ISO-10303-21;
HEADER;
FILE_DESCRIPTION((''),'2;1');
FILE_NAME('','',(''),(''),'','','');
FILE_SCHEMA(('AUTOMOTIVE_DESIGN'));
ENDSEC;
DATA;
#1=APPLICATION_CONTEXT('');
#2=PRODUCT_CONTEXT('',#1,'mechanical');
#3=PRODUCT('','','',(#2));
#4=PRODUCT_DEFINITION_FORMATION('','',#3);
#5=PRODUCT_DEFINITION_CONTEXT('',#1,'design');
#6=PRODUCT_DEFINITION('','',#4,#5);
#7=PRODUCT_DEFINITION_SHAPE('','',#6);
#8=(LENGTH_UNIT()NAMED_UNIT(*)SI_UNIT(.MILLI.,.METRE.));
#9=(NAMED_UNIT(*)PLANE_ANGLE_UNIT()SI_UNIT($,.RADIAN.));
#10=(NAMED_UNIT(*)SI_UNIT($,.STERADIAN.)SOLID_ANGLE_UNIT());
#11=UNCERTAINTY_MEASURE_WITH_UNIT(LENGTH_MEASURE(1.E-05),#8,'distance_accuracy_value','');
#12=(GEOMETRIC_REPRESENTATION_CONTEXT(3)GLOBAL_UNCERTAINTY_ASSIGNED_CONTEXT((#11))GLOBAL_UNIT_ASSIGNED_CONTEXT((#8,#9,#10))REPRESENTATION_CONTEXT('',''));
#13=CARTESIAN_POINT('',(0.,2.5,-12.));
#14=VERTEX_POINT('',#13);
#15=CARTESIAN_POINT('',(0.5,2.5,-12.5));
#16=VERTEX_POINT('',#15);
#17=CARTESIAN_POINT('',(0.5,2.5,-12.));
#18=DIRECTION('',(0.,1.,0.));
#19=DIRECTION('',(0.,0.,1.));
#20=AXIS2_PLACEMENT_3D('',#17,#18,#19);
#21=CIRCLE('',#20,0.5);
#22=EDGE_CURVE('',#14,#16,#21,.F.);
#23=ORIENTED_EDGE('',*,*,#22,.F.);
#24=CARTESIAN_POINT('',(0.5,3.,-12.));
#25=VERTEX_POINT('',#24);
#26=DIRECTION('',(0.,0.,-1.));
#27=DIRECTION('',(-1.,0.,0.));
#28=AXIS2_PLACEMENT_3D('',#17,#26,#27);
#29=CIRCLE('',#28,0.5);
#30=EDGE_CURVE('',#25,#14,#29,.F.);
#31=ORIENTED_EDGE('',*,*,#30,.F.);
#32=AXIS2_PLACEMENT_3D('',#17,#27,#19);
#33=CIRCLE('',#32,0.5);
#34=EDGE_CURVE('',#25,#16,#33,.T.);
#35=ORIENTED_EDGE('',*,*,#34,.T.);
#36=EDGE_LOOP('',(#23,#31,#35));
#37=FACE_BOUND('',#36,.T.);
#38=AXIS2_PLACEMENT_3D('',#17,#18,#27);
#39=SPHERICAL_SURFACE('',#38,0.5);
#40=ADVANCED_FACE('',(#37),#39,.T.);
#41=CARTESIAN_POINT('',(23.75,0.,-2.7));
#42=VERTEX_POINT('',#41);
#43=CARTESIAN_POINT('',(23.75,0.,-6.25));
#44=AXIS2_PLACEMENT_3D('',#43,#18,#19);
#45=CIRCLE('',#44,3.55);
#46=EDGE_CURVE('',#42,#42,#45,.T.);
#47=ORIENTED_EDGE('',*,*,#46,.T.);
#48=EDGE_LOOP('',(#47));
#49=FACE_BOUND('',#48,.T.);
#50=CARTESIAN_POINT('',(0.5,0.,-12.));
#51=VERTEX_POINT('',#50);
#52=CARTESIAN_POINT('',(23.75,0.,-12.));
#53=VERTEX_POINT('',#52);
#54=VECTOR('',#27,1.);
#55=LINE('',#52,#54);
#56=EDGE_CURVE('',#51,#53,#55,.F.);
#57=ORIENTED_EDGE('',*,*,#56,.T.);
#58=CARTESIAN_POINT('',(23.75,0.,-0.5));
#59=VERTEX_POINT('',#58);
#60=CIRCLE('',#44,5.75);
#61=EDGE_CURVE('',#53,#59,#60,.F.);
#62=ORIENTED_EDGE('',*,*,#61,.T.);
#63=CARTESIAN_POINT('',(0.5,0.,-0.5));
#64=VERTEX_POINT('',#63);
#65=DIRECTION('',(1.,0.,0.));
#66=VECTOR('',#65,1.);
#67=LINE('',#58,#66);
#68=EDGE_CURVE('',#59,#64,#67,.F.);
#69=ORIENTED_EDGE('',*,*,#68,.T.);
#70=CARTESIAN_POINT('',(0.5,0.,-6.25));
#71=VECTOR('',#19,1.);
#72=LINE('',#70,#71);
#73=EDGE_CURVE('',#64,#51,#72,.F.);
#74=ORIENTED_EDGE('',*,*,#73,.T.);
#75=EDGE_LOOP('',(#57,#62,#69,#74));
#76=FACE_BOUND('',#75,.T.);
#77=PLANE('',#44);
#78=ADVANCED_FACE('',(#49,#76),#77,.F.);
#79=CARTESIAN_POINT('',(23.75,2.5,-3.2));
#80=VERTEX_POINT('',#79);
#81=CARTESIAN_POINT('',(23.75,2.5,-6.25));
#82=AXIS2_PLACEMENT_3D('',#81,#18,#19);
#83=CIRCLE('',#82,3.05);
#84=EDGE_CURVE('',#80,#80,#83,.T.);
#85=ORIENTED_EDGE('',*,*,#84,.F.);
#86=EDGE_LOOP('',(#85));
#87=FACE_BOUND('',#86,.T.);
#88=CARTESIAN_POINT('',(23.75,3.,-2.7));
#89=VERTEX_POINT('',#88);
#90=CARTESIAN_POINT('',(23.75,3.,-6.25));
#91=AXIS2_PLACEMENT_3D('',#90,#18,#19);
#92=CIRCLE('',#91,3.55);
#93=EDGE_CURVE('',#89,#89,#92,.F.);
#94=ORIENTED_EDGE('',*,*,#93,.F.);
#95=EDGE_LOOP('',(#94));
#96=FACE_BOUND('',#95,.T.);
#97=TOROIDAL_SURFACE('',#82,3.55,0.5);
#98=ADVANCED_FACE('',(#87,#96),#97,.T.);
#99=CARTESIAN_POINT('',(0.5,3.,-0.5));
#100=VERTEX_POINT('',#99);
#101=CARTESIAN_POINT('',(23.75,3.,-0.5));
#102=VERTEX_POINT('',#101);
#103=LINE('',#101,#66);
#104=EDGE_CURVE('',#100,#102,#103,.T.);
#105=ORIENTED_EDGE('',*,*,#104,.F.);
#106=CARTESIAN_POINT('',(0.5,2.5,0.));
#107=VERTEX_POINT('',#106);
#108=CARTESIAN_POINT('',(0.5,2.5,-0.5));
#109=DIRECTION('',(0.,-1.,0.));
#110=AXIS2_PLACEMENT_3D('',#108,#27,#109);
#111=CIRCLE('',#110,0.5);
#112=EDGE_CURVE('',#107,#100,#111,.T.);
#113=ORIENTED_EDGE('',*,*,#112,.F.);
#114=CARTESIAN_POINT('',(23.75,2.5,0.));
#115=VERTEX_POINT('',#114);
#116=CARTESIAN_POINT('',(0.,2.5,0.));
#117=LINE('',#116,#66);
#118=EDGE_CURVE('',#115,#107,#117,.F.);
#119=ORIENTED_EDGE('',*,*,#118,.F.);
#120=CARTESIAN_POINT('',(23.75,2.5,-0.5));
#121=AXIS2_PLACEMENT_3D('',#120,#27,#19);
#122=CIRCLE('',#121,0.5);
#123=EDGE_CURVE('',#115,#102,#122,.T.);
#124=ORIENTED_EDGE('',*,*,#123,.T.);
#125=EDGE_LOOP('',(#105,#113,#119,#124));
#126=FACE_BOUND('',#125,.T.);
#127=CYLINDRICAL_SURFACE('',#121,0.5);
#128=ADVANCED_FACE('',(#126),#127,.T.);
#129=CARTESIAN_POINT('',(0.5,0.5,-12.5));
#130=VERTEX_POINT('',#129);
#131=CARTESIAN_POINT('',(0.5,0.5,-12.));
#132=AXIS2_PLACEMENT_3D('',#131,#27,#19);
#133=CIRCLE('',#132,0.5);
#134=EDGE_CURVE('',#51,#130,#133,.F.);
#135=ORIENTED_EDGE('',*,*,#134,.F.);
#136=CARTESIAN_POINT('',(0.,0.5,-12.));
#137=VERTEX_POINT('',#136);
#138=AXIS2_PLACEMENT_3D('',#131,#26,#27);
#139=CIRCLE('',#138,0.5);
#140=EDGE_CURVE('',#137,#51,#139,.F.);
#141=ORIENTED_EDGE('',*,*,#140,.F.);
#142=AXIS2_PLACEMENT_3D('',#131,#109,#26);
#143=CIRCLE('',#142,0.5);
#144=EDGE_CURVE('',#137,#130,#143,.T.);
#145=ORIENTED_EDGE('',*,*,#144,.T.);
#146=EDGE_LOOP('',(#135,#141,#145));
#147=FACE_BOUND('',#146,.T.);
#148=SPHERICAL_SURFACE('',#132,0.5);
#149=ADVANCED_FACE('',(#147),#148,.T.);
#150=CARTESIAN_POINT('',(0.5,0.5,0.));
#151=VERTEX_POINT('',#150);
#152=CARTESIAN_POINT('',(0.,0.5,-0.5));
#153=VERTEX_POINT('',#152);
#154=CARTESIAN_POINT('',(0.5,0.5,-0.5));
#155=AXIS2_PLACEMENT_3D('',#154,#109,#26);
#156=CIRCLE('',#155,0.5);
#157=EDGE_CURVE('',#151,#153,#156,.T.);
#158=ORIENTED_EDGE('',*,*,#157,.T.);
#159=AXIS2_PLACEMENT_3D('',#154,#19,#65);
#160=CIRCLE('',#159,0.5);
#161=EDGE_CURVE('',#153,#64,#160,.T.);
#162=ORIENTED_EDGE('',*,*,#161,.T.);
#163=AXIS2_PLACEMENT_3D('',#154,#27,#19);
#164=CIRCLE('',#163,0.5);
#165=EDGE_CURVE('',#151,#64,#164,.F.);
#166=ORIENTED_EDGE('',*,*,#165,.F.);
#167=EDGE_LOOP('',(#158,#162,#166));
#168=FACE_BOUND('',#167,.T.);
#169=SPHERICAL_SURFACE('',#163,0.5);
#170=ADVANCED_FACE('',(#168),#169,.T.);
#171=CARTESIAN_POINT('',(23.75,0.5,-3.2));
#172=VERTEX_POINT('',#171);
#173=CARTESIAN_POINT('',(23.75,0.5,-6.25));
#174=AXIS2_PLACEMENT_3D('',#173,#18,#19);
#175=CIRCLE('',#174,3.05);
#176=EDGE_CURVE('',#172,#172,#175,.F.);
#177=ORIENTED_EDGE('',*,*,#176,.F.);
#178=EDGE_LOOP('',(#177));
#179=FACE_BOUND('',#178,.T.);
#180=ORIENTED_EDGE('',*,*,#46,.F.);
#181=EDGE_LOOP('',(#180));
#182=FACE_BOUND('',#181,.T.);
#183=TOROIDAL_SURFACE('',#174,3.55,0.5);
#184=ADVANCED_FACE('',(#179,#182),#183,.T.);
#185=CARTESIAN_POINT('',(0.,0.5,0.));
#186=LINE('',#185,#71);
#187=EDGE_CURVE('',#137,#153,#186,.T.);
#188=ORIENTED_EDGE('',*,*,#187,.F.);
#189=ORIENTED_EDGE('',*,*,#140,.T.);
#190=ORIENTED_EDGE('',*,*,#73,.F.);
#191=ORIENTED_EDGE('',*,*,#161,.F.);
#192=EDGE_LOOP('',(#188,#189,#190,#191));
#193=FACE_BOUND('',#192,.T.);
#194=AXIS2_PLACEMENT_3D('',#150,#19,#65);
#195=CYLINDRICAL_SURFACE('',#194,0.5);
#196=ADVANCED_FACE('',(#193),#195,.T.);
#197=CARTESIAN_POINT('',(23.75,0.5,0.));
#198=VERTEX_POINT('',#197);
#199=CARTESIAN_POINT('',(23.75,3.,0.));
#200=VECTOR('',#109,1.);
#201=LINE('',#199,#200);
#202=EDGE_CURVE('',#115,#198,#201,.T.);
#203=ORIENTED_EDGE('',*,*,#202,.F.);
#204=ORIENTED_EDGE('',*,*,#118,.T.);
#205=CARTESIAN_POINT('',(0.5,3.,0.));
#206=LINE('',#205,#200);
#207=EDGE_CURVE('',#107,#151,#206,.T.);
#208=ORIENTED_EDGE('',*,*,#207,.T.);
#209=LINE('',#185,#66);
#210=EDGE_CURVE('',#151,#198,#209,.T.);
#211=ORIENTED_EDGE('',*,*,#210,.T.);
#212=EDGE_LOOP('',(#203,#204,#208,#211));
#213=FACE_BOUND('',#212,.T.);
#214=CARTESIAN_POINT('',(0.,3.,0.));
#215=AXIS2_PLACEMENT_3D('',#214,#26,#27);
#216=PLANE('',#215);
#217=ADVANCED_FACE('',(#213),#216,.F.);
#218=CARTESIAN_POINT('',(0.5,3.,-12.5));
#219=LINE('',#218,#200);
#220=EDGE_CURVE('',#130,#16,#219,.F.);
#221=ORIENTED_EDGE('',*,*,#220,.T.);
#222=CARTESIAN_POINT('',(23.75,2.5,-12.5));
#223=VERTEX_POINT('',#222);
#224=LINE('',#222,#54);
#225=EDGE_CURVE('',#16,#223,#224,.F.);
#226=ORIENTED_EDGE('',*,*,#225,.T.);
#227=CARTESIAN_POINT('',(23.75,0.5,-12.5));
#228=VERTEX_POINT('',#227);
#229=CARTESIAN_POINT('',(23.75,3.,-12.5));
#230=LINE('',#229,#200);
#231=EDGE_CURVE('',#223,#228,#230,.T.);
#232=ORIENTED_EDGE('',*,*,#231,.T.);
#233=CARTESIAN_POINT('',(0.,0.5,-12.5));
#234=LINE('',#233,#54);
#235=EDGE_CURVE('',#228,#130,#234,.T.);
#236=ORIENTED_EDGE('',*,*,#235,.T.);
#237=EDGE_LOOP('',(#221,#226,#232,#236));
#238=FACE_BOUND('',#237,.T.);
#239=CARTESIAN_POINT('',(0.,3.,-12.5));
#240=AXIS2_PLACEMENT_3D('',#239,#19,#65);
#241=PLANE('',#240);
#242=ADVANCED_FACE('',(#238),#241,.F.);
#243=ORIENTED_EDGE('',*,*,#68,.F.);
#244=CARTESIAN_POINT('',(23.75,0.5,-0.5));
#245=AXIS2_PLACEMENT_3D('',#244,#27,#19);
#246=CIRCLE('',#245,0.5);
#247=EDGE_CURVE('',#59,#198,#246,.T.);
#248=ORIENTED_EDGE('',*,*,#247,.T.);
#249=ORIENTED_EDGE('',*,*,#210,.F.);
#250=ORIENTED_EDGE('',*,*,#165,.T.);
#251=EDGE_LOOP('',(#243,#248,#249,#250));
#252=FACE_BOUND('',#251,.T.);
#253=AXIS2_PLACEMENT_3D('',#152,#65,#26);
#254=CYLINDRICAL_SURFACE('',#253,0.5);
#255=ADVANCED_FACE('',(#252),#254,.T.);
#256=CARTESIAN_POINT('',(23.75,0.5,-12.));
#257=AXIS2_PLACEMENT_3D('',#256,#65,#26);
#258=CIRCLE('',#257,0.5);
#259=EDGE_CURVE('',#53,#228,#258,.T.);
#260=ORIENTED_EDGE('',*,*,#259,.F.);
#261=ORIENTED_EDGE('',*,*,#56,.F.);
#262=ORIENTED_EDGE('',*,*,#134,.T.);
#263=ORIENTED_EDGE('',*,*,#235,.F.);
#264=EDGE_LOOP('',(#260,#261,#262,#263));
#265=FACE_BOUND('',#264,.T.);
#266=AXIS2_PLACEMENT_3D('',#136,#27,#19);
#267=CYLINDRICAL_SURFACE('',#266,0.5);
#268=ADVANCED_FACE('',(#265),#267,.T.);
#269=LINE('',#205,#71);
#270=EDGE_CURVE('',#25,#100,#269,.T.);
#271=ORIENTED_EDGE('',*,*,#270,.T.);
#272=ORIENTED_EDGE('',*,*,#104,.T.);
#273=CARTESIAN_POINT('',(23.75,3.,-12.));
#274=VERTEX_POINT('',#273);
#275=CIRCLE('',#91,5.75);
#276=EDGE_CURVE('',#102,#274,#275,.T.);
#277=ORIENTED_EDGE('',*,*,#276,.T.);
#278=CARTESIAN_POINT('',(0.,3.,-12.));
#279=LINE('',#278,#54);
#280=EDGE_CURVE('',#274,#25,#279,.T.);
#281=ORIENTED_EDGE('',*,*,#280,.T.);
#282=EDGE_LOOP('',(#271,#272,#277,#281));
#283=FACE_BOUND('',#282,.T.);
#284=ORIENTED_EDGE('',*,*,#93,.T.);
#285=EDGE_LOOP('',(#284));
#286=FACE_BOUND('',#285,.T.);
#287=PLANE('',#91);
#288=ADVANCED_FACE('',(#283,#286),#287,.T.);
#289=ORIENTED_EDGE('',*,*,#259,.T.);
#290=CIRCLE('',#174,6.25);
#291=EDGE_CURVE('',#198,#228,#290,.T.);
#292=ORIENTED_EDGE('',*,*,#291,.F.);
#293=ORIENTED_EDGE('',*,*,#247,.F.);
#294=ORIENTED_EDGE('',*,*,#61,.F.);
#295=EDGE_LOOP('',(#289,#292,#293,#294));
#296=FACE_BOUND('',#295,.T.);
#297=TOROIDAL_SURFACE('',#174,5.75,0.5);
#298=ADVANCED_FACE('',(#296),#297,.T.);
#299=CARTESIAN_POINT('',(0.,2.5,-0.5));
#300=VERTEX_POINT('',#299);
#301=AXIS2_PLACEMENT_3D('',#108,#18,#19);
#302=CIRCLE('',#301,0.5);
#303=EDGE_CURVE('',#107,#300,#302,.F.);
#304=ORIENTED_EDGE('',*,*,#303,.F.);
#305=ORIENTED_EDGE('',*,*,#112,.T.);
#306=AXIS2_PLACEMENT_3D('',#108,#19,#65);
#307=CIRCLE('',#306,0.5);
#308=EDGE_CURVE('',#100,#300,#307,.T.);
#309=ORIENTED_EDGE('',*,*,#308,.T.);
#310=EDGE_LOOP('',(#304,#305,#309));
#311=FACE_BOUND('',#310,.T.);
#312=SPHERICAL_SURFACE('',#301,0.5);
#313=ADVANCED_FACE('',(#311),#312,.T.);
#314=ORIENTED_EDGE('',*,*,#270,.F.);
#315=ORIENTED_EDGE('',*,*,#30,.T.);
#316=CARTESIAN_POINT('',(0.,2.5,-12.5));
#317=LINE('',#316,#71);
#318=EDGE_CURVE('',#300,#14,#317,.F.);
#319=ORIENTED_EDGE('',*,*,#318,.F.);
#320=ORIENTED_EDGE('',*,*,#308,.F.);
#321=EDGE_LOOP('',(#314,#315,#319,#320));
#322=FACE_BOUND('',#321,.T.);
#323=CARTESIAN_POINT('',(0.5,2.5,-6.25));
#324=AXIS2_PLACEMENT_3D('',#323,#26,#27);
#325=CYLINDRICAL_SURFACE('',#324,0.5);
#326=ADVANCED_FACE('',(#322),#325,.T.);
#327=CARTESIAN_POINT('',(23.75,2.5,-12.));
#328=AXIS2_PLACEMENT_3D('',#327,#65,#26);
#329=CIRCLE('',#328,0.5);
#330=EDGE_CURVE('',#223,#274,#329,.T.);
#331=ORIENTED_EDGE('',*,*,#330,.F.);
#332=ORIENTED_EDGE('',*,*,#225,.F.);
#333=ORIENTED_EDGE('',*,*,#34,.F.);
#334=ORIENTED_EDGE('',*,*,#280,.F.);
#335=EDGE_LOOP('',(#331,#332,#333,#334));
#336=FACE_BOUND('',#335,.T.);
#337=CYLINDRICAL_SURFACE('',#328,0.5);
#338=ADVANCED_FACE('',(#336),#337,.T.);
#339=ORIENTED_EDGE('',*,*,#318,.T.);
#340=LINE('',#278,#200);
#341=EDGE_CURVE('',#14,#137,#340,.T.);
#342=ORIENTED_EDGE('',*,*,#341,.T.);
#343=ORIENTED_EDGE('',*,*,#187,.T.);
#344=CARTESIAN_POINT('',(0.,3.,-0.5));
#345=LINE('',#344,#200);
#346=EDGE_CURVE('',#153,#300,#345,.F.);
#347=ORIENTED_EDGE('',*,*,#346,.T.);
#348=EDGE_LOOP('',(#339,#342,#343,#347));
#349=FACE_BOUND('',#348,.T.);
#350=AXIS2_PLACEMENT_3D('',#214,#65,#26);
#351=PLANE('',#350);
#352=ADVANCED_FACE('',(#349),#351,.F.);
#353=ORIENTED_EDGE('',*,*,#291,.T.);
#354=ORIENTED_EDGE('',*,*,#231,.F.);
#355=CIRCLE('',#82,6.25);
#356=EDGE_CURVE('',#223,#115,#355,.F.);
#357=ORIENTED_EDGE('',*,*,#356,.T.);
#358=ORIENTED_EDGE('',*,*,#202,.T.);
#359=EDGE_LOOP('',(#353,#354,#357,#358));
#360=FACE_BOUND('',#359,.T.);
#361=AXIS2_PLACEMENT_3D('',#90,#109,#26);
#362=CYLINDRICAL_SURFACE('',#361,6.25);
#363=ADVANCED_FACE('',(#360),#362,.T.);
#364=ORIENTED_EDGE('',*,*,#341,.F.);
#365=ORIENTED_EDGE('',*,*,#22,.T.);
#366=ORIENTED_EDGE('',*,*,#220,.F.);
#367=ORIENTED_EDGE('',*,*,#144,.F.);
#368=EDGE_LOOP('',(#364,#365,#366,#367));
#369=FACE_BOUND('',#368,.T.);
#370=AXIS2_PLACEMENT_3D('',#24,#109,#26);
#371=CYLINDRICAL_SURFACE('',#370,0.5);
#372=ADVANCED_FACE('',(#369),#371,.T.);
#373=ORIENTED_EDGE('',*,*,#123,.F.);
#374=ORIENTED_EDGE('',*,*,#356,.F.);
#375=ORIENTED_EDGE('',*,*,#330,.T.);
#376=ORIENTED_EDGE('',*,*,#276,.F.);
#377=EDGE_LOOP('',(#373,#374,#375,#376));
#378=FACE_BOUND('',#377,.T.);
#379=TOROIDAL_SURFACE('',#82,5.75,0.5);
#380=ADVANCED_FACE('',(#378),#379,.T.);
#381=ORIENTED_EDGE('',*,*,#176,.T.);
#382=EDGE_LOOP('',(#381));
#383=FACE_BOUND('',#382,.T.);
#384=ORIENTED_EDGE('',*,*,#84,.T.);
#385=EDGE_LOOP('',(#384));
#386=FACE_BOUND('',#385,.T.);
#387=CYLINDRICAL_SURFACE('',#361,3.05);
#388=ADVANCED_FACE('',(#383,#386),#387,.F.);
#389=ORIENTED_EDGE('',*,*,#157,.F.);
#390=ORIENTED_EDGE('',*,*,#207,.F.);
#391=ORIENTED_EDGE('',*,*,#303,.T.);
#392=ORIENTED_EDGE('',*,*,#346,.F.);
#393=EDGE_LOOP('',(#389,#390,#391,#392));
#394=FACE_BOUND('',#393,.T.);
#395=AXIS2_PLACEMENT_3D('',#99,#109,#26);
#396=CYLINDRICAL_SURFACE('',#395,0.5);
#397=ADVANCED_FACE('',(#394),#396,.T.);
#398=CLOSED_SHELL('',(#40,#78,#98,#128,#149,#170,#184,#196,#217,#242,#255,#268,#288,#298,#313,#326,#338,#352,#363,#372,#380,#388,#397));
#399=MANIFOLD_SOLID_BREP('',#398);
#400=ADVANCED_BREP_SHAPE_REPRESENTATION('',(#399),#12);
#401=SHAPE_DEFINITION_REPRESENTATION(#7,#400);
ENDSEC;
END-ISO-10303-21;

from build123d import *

# Parameters (mm, degrees)
SKETCH_1_R      = 3.05
EXTRUDE_1_DEPTH = 3
FILLET_1_R      = 0.5


with BuildPart() as part:
    # 草图1 → 凸台-拉伸1 (new body)
    with BuildSketch(Plane(origin=(0, 0, 0), x_dir=(1, 0, 0), z_dir=(0, 1, 0))):
        with BuildLine():
            Line((0, 0), (23.75, 0))
            ThreePointArc((23.75, 0), (30, 6.25), (23.75, 12.5))
            Line((23.75, 12.5), (0, 12.5))
            Line((0, 12.5), (0, 0))
        make_face()
        with Locations(Location((23.75, 6.25, 0), (0, 0, 270))):
            Circle(SKETCH_1_R, mode=Mode.SUBTRACT)
    extrude(amount=EXTRUDE_1_DEPTH)

    # 圆角1
    fillet_1_edges = [part.edges().sort_by_distance(p)[0] for p in [
        (23.75, 0, -9.3),
        (23.75, 3, -9.3),
        (30, 3, -6.25),
        (11.875, 3, -12.5),
        (0, 3, -6.25),
        (11.875, 0, -12.5),
        (30, 0, -6.25),
        (11.875, 0, 0),
        (0, 0, -6.25),
        (0, 1.5, -12.5),
        (0, 1.5, 0),
        (11.875, 3, 0),
    ]]
    fillet(fillet_1_edges, radius=FILLET_1_R)


solid = part.part
